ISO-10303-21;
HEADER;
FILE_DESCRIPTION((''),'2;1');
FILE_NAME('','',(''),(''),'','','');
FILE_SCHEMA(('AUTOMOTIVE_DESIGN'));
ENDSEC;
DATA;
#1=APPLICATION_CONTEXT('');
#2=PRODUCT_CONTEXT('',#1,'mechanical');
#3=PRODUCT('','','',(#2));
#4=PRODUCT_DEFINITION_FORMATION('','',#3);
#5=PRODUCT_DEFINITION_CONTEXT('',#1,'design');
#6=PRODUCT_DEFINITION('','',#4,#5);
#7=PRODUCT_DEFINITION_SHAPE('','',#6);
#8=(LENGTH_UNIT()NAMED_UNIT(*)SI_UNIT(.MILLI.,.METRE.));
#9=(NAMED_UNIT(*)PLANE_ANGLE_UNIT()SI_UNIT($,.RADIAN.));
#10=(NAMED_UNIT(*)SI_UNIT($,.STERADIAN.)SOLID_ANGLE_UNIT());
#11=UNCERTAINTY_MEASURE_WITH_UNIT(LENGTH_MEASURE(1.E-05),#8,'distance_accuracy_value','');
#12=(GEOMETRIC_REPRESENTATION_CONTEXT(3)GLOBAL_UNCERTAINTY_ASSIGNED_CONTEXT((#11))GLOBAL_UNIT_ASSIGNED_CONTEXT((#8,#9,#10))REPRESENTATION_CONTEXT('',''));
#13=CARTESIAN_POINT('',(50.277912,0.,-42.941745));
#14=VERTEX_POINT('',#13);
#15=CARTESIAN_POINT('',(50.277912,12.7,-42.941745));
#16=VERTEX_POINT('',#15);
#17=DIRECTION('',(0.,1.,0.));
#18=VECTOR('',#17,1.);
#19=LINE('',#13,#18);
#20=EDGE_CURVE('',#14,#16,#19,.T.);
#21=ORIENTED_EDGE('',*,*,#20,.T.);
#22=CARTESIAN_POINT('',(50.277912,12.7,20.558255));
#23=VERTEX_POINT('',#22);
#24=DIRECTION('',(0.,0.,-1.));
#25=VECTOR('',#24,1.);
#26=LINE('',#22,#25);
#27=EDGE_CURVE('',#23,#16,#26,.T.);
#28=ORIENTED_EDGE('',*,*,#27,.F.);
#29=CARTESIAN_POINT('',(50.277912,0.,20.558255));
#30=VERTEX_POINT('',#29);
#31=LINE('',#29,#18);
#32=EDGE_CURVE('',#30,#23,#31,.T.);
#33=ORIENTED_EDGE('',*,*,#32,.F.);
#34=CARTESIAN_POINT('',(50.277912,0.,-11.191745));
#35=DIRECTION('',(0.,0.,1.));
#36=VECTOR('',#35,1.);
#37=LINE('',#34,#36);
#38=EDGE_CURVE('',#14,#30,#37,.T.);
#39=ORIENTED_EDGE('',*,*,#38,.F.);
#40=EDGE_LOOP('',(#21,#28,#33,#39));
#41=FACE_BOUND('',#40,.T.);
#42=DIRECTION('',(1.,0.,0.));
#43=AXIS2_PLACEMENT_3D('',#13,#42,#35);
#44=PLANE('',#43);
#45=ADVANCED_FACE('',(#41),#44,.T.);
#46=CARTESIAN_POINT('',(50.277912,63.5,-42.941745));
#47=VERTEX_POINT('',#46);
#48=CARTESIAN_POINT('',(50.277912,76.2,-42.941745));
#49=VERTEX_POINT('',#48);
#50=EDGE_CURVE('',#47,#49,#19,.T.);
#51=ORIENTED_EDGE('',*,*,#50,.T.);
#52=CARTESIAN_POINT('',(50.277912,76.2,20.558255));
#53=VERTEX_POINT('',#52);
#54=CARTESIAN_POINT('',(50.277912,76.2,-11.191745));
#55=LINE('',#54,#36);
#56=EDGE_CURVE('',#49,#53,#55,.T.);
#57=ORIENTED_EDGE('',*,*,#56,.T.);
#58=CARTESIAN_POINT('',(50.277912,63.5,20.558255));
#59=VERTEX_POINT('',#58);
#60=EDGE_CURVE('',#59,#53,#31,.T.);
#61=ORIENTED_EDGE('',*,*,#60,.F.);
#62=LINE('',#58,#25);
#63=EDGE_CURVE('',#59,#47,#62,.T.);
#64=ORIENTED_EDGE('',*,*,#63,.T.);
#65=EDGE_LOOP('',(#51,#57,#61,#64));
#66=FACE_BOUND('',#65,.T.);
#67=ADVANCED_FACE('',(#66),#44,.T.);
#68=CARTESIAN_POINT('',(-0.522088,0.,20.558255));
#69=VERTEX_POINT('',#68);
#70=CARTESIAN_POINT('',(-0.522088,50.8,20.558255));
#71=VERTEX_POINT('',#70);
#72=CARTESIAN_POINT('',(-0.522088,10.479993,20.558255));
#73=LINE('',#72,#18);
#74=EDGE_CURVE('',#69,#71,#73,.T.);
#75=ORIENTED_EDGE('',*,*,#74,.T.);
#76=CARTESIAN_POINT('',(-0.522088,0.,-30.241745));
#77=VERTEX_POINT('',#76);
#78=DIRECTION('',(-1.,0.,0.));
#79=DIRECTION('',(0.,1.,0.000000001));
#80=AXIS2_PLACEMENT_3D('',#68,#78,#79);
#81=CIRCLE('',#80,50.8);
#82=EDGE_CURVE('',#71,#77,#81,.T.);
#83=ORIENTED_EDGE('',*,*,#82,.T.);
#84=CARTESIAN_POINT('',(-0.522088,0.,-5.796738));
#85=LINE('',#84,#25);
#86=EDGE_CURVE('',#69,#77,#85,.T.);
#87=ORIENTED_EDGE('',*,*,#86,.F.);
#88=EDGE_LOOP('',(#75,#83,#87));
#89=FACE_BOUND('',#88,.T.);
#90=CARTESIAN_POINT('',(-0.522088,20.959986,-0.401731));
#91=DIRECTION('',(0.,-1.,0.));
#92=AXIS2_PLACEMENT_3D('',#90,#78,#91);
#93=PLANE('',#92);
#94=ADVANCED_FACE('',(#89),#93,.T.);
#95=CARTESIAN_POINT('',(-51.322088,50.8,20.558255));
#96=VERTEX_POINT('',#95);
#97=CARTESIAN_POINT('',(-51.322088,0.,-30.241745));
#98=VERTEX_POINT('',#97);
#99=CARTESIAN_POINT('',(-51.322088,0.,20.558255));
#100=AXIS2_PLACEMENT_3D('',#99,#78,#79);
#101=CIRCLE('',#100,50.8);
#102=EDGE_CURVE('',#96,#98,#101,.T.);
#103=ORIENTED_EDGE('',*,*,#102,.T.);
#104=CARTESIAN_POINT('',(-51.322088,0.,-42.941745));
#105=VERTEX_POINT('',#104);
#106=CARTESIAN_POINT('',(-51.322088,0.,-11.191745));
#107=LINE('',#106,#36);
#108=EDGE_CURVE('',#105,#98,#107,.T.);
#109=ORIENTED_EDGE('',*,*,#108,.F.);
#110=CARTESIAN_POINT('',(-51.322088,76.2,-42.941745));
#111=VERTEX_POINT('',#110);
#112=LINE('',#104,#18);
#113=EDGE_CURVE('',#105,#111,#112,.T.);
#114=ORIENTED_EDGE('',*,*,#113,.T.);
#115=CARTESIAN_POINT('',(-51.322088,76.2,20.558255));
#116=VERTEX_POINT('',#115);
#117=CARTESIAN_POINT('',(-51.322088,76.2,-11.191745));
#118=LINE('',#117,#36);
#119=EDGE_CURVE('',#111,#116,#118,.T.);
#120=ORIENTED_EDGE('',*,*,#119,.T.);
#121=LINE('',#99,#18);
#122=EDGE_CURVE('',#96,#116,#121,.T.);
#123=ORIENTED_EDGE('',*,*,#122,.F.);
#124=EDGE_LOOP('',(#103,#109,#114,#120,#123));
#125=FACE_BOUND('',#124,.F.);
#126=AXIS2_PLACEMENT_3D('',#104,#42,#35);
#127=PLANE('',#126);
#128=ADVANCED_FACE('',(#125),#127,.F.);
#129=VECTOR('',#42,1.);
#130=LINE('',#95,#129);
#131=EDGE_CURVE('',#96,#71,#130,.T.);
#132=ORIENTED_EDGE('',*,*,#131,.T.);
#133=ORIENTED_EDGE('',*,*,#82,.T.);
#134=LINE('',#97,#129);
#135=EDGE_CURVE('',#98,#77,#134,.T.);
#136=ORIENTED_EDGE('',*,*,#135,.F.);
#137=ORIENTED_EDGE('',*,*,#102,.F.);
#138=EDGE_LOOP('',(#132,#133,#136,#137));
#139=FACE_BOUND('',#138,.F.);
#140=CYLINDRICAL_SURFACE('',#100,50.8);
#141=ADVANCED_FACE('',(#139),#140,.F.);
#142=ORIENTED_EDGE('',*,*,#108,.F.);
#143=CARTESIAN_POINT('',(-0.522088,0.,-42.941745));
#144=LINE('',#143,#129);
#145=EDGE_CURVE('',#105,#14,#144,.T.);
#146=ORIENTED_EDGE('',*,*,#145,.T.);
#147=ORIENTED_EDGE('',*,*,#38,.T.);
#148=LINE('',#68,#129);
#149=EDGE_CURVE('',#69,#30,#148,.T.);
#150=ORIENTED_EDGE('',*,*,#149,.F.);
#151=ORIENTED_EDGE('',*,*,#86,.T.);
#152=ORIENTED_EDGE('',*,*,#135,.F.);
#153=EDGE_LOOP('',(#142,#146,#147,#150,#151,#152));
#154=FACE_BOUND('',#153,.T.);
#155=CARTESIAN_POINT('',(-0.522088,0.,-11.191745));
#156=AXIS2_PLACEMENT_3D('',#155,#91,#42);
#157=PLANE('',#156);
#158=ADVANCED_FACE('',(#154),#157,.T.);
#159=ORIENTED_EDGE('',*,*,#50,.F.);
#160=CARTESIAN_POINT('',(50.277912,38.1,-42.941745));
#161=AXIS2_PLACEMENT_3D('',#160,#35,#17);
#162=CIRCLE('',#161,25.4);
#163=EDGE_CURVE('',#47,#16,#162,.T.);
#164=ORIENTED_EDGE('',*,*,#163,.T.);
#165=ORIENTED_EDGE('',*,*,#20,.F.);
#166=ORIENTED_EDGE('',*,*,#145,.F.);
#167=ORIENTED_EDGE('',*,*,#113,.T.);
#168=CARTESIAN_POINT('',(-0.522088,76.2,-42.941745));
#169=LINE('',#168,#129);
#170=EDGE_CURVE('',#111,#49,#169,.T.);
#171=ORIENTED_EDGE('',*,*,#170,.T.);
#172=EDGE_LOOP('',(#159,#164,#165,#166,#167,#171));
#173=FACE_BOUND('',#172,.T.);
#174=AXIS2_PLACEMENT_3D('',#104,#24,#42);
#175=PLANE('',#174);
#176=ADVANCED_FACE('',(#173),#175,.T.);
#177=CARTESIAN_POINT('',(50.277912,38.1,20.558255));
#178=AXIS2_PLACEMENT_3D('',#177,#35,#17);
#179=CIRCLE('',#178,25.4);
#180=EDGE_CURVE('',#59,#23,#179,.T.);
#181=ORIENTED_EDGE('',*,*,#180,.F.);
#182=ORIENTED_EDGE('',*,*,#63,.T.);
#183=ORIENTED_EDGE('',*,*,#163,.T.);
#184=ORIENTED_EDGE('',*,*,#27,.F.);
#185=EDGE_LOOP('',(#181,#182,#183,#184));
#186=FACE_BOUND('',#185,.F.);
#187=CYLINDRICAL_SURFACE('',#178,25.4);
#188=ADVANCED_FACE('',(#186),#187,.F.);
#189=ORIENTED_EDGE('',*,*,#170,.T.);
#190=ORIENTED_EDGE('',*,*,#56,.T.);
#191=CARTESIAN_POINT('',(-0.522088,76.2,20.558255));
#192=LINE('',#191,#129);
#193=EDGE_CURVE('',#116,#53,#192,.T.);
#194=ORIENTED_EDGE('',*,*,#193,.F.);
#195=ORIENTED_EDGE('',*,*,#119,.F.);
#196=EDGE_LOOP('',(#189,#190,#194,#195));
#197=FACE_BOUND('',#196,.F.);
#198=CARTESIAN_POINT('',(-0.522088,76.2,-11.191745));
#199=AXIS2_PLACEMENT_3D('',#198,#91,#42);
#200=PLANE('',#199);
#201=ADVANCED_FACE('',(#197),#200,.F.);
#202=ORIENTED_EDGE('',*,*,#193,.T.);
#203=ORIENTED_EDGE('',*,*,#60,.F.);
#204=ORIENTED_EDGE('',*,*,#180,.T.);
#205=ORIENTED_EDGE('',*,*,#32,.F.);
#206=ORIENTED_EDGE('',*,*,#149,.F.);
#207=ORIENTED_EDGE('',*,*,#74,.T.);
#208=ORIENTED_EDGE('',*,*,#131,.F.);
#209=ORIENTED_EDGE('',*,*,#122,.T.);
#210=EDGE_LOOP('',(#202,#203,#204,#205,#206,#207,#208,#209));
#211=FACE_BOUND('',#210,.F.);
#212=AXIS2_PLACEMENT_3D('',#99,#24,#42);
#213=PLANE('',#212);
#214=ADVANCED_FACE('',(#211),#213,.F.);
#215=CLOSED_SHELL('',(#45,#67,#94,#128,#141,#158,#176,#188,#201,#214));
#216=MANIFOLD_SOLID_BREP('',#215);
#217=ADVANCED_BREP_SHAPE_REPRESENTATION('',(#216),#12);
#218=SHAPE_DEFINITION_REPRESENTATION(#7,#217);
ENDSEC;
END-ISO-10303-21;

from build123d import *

# Parameters (mm, degrees)
F0_W     = 101.6
F0_H     = 63.5
F1_DEPTH = 76.2
F3_DEPTH = 63.5
F5_DEPTH = 50.8


with BuildPart() as f1:
    # F0 (on Front) → F1 (new body)
    with BuildSketch(Plane.XZ):
        with Locations((-0.522088, -11.191745)):
            Rectangle(F0_W, F0_H)
    extrude(amount=-F1_DEPTH)

    # F2 (on face) → F3 (cut)
    with BuildSketch(Plane.XY.offset(20.558255)):
        with BuildLine():
            Line((50.277912, 12.7), (50.277912, 63.5))
            ThreePointArc((50.277912, 63.5), (24.877912, 38.1), (50.277912, 12.7))
        make_face()
        with BuildLine():
            ThreePointArc((50.277912, 12.7), (68.238424, 20.139488), (75.677912, 38.1))
            ThreePointArc((75.677912, 38.1), (68.238424, 56.060512), (50.277912, 63.5))
            Line((50.277912, 63.5), (50.277912, 12.7))
        make_face()
    extrude(amount=-F3_DEPTH, mode=Mode.SUBTRACT)

    # F4 (on face) → F5 (cut)
    with BuildSketch(Plane(origin=(-51.322088, 0, 0), x_dir=(0, -1, 0), z_dir=(-1, 0, 0))):
        with BuildLine():
            Line((0, 20.558255), (-50.8, 20.558255))
            ThreePointArc((-50.8, 20.558255), (-35.921024, -15.36277), (0, -30.241745))
            Line((0, -30.241745), (0, 20.558255))
        make_face()
        with BuildLine():
            ThreePointArc((0, -30.241745), (35.921024, -15.36277), (50.8, 20.558255))
            ThreePointArc((50.8, 20.558255), (0, 71.358255), (-50.8, 20.558255))
            Line((-50.8, 20.558255), (0, 20.558255))
            Line((0, 20.558255), (0, -30.241745))
        make_face()
    extrude(amount=-F5_DEPTH, mode=Mode.SUBTRACT)


solid = f1.part
